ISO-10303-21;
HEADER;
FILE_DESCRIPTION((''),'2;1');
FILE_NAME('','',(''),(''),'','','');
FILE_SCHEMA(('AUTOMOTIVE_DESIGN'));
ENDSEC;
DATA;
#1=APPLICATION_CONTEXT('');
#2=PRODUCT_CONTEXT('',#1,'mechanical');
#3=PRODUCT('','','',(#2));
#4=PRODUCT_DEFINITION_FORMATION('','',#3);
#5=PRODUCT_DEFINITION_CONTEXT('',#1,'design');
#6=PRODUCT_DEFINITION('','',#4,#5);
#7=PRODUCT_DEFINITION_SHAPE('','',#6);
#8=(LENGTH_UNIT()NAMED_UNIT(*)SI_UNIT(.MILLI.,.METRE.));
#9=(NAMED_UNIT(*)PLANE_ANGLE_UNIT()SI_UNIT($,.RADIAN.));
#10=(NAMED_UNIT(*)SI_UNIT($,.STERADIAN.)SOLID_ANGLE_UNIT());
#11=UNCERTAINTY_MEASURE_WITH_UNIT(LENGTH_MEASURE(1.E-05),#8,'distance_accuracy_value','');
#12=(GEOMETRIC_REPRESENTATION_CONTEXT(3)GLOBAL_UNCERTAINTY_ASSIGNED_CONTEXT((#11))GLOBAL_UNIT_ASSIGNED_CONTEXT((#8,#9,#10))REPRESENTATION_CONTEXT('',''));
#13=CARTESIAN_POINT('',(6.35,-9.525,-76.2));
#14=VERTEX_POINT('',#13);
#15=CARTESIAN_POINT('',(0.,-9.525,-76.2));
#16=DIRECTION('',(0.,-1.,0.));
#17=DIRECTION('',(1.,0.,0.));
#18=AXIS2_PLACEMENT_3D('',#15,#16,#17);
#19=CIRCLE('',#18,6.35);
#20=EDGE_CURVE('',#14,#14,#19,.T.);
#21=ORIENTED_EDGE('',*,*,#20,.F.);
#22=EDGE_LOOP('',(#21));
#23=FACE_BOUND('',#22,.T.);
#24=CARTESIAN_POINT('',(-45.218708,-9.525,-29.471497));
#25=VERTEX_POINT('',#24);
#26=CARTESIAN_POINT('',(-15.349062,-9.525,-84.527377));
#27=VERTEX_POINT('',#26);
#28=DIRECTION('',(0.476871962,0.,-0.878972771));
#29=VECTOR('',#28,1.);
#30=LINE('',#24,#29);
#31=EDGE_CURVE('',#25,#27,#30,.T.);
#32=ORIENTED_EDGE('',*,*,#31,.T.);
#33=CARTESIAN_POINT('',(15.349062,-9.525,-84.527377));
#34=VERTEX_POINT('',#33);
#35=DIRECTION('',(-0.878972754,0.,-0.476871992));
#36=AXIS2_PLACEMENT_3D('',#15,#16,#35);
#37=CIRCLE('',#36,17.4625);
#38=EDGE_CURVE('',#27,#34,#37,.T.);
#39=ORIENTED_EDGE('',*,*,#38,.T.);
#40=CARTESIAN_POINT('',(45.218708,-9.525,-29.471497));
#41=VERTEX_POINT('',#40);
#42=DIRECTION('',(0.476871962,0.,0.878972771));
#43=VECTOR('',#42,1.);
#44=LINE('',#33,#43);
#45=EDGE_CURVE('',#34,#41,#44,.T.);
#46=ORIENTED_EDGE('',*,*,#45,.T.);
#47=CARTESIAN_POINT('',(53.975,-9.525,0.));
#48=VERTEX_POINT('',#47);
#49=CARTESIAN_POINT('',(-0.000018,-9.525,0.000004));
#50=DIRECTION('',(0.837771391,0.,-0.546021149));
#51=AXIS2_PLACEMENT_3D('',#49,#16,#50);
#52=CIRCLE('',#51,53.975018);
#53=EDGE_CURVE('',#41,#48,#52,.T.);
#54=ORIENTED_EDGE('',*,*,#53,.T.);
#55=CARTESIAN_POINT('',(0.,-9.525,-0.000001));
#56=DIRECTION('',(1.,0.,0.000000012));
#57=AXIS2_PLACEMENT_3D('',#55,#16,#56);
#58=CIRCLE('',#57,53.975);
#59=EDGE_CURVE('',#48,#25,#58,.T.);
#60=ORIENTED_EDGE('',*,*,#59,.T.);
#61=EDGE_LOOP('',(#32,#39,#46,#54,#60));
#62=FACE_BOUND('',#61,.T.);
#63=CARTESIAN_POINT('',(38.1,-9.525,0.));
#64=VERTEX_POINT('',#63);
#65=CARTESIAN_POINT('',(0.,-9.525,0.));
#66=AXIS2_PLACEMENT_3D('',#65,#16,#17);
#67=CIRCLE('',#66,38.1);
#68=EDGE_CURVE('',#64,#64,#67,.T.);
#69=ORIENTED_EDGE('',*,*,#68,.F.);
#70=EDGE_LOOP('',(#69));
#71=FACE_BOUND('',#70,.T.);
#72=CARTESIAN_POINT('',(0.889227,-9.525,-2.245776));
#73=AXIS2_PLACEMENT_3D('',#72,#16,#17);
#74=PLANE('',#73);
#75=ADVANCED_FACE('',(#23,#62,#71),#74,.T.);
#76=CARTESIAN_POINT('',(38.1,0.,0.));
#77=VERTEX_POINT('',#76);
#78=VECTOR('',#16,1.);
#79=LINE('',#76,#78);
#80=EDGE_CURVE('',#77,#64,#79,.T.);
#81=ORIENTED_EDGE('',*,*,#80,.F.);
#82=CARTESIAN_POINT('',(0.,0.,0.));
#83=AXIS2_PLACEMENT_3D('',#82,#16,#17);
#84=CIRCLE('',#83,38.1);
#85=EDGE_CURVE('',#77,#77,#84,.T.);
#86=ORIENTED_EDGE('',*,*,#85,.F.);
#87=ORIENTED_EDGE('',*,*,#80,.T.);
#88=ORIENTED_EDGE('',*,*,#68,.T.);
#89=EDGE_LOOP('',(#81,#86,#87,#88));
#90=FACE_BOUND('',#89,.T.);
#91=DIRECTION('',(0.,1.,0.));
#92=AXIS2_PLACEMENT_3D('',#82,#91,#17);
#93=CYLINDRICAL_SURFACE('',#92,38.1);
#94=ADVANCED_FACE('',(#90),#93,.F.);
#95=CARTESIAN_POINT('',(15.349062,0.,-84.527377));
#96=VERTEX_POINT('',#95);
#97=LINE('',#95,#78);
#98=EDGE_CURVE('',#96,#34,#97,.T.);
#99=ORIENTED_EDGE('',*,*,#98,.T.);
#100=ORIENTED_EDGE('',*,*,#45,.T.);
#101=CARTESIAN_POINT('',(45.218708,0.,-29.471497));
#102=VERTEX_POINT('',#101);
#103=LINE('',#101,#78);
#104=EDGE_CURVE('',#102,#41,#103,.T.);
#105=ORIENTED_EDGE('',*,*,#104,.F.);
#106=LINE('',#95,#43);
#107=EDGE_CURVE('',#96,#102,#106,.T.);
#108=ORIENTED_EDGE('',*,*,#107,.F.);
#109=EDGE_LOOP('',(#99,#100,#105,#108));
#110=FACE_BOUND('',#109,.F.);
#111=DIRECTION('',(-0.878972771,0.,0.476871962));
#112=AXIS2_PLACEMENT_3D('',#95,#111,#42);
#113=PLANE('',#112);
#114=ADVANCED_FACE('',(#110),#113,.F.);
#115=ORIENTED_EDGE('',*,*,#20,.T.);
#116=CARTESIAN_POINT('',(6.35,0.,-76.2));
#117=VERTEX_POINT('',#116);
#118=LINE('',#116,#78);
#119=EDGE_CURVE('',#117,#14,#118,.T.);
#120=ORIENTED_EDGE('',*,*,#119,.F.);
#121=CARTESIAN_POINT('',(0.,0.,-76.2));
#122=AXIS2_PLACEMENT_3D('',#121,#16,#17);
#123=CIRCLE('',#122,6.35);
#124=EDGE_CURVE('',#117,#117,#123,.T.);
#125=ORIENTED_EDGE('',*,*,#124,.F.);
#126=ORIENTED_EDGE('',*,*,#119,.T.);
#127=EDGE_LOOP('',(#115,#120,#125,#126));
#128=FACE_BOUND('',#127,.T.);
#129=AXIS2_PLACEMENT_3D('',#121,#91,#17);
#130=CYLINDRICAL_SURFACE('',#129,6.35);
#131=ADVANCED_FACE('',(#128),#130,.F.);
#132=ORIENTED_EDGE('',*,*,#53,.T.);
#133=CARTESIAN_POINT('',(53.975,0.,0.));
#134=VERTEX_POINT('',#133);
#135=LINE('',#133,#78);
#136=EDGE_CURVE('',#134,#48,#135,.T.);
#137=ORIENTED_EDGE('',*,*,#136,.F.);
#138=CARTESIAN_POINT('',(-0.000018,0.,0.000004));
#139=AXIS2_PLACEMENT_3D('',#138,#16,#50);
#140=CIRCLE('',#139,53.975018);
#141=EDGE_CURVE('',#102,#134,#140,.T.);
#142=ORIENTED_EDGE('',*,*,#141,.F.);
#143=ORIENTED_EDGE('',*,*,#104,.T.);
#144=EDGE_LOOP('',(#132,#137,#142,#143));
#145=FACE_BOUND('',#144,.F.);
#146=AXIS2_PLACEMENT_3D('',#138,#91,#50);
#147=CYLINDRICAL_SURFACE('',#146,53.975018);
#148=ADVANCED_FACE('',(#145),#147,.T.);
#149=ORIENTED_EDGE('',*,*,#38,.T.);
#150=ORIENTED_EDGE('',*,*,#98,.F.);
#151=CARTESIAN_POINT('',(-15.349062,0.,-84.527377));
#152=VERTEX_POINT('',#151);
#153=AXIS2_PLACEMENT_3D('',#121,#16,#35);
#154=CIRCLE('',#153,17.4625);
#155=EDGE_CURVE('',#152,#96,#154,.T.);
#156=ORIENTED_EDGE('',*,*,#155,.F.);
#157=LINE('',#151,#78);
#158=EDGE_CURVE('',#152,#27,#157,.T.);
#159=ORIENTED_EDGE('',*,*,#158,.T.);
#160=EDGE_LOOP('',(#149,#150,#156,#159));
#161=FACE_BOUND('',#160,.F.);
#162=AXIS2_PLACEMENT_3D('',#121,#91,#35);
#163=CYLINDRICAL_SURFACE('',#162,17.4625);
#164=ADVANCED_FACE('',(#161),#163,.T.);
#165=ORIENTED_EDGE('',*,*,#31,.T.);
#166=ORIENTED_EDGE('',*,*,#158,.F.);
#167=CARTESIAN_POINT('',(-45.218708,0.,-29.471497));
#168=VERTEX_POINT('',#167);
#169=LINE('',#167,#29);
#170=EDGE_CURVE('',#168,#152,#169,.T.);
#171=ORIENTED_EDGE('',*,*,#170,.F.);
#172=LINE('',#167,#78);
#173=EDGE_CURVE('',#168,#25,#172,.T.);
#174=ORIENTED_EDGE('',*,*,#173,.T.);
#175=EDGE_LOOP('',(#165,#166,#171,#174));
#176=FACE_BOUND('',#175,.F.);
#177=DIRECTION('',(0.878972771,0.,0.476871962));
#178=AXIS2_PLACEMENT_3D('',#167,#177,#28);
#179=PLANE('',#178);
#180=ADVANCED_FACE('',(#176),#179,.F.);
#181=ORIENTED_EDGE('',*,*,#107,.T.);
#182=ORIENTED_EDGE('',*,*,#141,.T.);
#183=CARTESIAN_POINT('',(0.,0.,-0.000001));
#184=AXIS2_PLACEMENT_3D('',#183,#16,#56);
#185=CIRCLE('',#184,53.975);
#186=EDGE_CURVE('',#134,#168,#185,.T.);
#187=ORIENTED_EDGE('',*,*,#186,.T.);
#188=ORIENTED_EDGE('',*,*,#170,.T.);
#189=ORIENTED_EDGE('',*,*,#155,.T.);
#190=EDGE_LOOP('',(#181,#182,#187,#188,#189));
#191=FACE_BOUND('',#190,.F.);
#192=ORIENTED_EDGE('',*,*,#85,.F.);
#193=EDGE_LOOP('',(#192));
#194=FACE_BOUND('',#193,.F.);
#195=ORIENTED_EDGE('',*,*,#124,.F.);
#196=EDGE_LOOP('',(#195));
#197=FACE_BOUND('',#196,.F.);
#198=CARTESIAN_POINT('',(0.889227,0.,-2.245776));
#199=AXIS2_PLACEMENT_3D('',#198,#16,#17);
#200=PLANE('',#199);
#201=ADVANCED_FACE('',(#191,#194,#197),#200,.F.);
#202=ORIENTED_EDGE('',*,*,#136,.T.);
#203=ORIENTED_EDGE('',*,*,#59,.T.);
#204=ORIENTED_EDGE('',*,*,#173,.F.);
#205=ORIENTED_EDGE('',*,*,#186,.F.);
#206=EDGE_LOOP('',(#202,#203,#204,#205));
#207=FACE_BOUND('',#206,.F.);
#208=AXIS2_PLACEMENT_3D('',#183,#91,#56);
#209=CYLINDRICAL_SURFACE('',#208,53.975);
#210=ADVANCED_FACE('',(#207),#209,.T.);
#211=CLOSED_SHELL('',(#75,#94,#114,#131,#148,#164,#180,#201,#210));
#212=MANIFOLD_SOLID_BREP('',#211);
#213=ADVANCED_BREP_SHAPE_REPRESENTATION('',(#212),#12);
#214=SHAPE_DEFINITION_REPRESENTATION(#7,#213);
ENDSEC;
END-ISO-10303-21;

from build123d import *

# Parameters (mm, degrees)
F0_R     = 38.1
F0_R_2   = 6.35
F1_DEPTH = 9.525


with BuildPart() as f1:
    # F0 (on Front) → F1 (new body)
    with BuildSketch(Plane.XZ):
        with BuildLine():
            ThreePointArc((45.218708, -29.471497), (51.739638, -15.372392), (53.975, 0))
            ThreePointArc((53.975, 0), (-15.372392, 51.739638), (-45.218708, -29.471497))
            ThreePointArc((-45.218708, -29.471497), (0, -53.975), (45.218708, -29.471497))
        make_face()
        Circle(F0_R, mode=Mode.SUBTRACT)
        with BuildLine():
            ThreePointArc((45.218708, -29.471497), (0, -53.975), (-45.218708, -29.471497))
            Line((-45.218708, -29.471497), (-15.349062, -84.527377))
            ThreePointArc((-15.349062, -84.527377), (-4.29569, -59.274104), (17.4625, -76.2))
            ThreePointArc((17.4625, -76.2), (16.925896, -80.49569), (15.349062, -84.527377))
            Line((15.349062, -84.527377), (45.218708, -29.471497))
        make_face()
        with BuildLine():
            ThreePointArc((17.4625, -76.2), (-4.29569, -59.274104), (-15.349062, -84.527377))
            ThreePointArc((-15.349062, -84.527377), (0, -93.6625), (15.349062, -84.527377))
            ThreePointArc((15.349062, -84.527377), (16.925896, -80.49569), (17.4625, -76.2))
        make_face()
        with Locations((0, -76.2)):
            Circle(F0_R_2, mode=Mode.SUBTRACT)
    extrude(amount=F1_DEPTH)


solid = f1.part
